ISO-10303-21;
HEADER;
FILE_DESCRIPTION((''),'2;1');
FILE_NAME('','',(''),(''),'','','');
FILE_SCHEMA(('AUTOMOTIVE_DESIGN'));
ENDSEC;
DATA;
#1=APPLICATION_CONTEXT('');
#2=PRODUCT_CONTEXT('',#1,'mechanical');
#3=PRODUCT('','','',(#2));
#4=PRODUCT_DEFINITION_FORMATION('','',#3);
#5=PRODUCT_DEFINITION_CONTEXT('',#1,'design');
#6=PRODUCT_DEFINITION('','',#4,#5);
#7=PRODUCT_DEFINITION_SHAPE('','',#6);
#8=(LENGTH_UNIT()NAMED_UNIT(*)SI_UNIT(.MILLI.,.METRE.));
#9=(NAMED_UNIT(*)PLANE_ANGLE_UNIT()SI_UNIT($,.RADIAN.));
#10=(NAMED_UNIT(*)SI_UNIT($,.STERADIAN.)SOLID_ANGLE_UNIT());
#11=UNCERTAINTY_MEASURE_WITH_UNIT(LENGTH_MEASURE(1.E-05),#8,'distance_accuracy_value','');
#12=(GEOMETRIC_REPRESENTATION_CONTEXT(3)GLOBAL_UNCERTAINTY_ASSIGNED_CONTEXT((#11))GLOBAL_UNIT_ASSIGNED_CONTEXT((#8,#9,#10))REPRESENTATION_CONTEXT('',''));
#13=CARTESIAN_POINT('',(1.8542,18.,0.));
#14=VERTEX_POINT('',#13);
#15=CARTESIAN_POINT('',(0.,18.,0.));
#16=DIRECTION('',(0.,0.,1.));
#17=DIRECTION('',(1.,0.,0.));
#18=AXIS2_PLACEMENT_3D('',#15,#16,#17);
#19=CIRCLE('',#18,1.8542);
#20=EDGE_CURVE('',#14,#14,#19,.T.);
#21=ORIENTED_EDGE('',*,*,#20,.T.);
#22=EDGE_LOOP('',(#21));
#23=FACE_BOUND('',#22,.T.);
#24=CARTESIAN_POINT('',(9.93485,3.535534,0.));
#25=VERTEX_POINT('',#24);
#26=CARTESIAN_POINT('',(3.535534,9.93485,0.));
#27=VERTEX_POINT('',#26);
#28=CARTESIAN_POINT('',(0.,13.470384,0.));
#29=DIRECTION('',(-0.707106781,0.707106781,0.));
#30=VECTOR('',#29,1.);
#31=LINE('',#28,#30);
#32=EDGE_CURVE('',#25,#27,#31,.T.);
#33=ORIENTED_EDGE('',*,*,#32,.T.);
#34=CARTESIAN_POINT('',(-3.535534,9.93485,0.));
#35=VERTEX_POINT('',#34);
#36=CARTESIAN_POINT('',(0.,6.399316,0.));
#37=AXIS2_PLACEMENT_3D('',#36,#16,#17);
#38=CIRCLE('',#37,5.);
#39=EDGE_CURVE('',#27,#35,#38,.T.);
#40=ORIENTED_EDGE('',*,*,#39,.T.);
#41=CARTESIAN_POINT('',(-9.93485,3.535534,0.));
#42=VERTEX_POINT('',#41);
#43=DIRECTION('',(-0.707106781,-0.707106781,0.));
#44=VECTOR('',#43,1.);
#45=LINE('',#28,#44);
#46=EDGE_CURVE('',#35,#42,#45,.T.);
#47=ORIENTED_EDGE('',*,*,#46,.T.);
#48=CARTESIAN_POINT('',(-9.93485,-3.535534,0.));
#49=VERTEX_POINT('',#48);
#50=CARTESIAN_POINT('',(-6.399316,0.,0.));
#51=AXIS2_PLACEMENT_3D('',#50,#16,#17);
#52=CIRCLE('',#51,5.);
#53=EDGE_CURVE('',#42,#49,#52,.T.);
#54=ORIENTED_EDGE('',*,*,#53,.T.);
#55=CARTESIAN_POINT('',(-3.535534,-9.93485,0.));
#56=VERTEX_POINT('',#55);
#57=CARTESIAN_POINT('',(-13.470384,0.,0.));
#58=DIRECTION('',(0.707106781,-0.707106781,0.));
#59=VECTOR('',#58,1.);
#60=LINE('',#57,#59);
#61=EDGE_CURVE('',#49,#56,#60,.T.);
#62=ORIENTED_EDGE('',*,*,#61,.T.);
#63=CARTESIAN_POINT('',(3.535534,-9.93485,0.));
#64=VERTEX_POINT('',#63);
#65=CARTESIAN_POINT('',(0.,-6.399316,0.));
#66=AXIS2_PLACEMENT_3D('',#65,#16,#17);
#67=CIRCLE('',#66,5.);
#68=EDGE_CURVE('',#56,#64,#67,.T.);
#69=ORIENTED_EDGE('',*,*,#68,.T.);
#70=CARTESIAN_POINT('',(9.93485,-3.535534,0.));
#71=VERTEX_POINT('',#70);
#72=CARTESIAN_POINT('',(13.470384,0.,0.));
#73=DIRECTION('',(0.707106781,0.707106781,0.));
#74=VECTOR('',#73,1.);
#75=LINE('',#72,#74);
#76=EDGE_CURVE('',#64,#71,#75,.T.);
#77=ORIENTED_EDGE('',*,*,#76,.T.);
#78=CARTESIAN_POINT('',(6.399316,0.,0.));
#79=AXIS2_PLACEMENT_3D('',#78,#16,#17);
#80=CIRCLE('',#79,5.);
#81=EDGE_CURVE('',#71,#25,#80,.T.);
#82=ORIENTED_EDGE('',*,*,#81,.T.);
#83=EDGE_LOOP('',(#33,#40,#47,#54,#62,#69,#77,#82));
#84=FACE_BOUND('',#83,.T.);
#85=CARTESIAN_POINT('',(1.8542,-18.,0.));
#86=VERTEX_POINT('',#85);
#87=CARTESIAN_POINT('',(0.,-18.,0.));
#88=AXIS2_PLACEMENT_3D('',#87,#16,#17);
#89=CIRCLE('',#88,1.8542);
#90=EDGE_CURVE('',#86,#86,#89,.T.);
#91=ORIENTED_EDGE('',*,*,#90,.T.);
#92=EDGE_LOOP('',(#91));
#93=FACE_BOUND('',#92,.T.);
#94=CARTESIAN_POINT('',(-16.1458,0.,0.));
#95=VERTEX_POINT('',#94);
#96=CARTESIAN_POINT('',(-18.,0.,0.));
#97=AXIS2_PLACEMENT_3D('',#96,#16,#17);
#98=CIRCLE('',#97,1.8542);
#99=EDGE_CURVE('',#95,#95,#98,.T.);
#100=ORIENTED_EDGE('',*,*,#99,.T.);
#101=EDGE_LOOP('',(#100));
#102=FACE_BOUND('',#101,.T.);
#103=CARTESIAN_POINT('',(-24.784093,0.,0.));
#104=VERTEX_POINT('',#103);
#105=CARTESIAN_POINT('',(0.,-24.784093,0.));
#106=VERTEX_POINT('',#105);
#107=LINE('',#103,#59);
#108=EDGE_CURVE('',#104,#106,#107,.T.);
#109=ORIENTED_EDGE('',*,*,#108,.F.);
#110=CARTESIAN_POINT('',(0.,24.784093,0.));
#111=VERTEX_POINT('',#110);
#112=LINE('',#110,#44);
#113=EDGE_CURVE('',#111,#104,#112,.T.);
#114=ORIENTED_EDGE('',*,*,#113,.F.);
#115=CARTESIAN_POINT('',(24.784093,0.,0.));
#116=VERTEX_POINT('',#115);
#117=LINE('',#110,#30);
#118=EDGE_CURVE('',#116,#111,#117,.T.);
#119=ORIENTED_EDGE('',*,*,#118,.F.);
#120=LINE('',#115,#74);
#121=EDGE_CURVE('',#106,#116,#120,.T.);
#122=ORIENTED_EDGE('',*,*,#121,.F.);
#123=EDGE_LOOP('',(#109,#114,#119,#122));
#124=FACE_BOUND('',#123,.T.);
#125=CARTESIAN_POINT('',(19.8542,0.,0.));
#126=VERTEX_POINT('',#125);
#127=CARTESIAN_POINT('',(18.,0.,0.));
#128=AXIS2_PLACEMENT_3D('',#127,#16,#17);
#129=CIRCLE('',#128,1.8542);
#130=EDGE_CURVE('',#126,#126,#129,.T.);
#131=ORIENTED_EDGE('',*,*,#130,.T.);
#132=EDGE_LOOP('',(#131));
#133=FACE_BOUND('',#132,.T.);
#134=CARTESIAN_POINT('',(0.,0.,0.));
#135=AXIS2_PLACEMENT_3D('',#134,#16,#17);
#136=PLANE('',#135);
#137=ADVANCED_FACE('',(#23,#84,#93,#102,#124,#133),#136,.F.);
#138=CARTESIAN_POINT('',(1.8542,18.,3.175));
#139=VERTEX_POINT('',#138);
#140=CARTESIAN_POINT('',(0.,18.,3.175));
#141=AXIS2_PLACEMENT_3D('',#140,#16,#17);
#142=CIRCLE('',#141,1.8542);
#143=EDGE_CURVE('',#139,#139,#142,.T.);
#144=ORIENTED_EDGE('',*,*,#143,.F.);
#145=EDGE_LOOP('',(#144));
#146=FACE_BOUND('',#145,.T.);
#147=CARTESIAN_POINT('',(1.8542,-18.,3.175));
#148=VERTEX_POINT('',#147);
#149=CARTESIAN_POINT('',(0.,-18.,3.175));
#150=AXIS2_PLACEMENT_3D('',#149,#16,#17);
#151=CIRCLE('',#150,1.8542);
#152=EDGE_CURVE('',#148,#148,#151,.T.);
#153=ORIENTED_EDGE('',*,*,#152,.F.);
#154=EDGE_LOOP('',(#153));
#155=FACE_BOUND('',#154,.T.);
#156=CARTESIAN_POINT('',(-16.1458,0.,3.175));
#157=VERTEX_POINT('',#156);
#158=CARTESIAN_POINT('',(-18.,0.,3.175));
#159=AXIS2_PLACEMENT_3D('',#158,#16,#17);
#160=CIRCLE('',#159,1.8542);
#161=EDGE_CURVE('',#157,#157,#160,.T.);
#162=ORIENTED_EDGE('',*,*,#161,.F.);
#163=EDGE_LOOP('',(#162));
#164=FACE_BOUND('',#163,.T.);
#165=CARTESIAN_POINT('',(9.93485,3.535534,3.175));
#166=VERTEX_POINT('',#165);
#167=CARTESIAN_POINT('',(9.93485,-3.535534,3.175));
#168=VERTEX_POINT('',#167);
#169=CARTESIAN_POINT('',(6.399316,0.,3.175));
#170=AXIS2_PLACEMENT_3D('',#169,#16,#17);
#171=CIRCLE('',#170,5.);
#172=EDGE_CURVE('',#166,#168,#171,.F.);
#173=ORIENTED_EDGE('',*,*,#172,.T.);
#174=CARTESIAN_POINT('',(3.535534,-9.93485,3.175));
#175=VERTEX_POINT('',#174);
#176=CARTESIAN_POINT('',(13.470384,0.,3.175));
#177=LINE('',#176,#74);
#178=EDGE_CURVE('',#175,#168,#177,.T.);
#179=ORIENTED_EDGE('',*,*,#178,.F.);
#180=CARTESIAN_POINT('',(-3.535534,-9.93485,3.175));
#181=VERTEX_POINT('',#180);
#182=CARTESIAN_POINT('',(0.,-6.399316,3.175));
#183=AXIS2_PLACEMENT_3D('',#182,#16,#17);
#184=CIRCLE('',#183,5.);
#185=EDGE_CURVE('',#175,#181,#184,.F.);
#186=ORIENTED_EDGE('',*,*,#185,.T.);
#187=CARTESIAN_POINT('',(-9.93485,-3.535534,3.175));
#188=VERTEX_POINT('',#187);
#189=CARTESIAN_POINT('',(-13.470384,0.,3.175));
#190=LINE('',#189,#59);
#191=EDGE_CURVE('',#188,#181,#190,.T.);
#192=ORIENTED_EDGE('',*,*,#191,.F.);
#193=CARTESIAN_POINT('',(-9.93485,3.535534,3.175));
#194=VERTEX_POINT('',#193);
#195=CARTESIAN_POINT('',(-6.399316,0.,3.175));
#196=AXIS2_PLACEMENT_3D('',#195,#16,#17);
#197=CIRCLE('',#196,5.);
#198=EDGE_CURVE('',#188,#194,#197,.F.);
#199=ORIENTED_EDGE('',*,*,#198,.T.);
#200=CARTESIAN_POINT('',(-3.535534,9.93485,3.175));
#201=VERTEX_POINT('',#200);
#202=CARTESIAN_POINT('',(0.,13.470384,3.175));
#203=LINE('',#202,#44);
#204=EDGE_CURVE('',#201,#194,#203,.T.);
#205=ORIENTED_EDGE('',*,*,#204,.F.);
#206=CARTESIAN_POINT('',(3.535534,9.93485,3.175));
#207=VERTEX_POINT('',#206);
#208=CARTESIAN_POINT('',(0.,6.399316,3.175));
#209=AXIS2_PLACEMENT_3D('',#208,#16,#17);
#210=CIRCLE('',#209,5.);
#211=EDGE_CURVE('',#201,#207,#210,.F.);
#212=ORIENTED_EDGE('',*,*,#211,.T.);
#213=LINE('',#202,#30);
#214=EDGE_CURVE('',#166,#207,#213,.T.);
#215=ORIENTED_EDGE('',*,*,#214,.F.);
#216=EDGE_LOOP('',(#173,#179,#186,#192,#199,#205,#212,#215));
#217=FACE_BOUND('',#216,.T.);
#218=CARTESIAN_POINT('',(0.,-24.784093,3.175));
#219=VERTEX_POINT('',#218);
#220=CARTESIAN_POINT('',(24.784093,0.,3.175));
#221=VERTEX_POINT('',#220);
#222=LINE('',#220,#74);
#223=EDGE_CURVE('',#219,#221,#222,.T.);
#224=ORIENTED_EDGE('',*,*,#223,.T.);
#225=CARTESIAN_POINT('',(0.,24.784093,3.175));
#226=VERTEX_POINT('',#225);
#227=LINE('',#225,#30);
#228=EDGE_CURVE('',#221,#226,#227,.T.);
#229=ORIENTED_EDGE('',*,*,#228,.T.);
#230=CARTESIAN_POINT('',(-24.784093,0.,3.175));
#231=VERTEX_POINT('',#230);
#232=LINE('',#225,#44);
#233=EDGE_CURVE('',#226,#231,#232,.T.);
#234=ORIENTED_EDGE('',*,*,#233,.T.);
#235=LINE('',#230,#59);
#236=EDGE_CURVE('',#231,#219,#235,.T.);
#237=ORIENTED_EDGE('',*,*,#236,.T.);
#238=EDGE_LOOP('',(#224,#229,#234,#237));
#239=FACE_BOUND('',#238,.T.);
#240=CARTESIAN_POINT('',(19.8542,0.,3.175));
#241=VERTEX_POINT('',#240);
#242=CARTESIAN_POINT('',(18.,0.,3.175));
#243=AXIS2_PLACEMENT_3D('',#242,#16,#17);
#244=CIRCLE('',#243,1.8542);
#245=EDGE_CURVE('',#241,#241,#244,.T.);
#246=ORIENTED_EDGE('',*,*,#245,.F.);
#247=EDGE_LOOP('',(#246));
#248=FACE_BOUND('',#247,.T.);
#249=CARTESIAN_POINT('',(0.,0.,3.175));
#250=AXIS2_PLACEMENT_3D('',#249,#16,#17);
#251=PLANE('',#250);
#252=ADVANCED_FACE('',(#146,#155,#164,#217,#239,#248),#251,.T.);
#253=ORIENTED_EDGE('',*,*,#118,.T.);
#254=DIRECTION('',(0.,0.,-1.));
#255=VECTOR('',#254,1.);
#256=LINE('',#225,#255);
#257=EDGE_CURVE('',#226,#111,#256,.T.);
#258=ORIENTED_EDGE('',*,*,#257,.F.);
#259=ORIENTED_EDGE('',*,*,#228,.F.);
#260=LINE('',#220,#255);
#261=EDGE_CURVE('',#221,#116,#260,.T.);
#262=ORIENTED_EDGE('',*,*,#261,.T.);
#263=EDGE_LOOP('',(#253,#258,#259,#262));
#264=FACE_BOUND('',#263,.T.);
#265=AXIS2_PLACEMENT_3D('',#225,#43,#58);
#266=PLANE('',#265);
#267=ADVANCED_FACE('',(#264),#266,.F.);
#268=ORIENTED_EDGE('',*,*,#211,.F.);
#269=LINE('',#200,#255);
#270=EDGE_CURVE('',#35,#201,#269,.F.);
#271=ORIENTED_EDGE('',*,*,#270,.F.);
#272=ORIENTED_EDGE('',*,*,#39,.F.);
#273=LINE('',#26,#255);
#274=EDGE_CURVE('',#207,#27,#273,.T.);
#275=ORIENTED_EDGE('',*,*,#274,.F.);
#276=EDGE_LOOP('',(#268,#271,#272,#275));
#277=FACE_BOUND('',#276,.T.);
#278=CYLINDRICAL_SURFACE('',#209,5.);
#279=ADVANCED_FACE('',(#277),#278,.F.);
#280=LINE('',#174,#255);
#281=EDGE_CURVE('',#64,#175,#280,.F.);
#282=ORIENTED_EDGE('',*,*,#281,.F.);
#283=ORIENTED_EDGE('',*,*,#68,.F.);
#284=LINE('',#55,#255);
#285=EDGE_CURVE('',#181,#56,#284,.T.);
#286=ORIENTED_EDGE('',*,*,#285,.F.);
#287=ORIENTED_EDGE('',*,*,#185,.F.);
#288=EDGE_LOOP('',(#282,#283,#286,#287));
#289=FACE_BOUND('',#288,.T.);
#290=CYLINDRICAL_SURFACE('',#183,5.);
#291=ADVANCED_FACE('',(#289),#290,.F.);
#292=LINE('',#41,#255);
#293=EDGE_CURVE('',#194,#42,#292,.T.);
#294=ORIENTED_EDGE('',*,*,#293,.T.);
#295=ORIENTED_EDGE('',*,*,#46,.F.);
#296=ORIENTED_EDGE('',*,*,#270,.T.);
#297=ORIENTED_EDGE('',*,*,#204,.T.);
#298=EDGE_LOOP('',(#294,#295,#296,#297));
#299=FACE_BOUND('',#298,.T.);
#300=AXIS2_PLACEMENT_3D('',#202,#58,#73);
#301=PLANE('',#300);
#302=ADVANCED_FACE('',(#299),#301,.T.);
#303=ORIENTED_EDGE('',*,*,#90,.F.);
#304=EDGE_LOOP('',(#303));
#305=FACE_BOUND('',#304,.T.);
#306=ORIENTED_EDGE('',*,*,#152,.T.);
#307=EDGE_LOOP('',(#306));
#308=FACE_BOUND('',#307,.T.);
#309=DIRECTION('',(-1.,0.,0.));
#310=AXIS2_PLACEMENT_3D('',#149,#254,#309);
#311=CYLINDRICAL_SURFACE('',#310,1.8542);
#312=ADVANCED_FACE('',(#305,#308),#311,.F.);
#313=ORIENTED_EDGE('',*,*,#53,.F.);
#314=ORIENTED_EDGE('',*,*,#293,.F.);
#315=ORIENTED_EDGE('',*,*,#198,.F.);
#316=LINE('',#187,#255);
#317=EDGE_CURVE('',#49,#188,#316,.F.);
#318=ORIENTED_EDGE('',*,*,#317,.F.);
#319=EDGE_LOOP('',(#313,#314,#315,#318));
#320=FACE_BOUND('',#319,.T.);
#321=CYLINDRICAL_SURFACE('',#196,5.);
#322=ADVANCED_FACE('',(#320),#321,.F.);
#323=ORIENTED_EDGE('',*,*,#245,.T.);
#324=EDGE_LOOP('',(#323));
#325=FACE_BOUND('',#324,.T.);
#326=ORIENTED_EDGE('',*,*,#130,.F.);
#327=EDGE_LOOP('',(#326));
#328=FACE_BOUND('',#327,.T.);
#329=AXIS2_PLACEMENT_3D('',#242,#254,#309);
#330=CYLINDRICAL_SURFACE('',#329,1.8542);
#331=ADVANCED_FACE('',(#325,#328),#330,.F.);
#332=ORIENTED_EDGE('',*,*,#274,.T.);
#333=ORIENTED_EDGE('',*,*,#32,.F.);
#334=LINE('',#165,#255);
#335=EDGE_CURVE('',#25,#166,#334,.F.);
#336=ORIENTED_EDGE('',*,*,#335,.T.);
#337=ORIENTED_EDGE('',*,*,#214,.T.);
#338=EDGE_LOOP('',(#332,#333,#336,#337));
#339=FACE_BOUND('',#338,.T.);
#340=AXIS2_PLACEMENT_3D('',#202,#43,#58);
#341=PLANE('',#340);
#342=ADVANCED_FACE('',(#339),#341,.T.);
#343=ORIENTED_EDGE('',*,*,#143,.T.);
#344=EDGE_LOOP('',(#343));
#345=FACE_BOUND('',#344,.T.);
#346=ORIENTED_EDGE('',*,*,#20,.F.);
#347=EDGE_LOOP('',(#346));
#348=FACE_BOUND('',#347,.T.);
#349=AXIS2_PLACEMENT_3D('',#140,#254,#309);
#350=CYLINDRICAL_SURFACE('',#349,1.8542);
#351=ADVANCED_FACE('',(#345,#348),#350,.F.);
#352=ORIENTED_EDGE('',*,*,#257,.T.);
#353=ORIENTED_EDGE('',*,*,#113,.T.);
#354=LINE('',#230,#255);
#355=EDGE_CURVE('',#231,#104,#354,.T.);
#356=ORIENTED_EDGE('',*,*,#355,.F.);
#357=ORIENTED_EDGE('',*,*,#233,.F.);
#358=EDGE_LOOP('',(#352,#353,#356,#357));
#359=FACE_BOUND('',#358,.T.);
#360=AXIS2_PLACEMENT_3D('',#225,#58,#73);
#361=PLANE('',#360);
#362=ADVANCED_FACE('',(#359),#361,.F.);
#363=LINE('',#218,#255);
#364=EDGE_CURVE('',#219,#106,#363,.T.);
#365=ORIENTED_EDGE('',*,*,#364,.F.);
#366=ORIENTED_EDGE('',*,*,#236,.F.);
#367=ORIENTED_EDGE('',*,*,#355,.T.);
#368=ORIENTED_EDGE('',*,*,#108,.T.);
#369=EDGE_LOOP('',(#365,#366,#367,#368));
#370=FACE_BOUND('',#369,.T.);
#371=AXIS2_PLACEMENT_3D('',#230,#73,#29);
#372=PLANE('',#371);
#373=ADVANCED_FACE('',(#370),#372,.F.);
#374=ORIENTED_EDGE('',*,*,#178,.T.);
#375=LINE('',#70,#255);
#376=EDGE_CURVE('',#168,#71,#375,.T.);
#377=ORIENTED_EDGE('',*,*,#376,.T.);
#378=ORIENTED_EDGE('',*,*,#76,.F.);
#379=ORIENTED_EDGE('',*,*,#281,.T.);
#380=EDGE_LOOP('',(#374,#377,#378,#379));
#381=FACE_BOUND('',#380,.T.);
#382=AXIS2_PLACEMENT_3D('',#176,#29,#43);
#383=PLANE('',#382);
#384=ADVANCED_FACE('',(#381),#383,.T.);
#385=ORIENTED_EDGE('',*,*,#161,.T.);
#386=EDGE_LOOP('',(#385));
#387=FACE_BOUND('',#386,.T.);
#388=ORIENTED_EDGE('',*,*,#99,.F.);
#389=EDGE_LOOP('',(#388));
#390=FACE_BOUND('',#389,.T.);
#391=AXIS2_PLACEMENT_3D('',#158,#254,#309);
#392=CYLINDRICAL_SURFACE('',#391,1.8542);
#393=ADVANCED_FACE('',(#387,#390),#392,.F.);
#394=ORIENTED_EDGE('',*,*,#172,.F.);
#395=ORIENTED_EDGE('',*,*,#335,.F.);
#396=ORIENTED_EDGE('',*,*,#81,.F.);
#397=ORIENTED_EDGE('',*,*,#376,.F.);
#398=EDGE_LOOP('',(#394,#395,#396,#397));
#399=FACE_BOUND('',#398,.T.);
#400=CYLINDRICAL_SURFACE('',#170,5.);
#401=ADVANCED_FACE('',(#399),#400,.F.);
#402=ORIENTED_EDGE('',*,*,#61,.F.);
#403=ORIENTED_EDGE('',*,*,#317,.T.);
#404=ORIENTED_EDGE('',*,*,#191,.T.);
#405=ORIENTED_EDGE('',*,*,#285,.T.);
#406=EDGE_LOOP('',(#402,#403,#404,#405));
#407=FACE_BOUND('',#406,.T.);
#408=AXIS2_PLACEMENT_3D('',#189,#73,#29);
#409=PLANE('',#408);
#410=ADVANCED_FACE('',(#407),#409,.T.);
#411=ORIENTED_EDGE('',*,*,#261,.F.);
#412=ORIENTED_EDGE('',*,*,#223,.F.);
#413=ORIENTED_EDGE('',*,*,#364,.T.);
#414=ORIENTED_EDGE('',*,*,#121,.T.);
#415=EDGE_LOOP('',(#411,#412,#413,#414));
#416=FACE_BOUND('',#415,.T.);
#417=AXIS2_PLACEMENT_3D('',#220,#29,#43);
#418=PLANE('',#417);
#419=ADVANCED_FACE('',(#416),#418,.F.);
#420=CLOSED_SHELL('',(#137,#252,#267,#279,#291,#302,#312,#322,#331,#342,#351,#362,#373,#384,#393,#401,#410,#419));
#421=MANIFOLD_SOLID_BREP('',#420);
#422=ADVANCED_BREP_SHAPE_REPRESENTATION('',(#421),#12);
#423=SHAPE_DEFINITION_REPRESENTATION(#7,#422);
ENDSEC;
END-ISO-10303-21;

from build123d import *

# Parameters (mm, degrees)
SKETCH2_R           = 1.8542
BOSS_EXTRUDE1_DEPTH = 3.175
FILLET1_R           = 5


with BuildPart() as part:
    # Sketch2 → Boss-Extrude1 (new body)
    with BuildSketch(Plane.XY):
        Polygon((0, 24.784092681), (24.784092681, 0), (0, -24.784092681), (-24.784092681, 0), align=None)
        with Locations((0, 18)):
            Circle(SKETCH2_R, mode=Mode.SUBTRACT)
        with Locations((-18, 0)):
            Circle(SKETCH2_R, mode=Mode.SUBTRACT)
        with Locations((0, -18)):
            Circle(SKETCH2_R, mode=Mode.SUBTRACT)
        with Locations((18, 0)):
            Circle(SKETCH2_R, mode=Mode.SUBTRACT)
        Polygon((0, 13.470384182), (13.470384182, 0), (0, -13.470384182), (-13.470384182, 0), align=None, mode=Mode.SUBTRACT)
    extrude(amount=BOSS_EXTRUDE1_DEPTH)

    # Fillet1
    fillet1_edges = [part.edges().sort_by_distance(p)[0] for p in [
        (0, 13.470384182, 1.5875),
        (-13.470384182, 0, 1.5875),
        (0, -13.470384182, 1.5875),
        (13.470384182, 0, 1.5875),
    ]]
    fillet(fillet1_edges, radius=FILLET1_R)


solid = part.part
